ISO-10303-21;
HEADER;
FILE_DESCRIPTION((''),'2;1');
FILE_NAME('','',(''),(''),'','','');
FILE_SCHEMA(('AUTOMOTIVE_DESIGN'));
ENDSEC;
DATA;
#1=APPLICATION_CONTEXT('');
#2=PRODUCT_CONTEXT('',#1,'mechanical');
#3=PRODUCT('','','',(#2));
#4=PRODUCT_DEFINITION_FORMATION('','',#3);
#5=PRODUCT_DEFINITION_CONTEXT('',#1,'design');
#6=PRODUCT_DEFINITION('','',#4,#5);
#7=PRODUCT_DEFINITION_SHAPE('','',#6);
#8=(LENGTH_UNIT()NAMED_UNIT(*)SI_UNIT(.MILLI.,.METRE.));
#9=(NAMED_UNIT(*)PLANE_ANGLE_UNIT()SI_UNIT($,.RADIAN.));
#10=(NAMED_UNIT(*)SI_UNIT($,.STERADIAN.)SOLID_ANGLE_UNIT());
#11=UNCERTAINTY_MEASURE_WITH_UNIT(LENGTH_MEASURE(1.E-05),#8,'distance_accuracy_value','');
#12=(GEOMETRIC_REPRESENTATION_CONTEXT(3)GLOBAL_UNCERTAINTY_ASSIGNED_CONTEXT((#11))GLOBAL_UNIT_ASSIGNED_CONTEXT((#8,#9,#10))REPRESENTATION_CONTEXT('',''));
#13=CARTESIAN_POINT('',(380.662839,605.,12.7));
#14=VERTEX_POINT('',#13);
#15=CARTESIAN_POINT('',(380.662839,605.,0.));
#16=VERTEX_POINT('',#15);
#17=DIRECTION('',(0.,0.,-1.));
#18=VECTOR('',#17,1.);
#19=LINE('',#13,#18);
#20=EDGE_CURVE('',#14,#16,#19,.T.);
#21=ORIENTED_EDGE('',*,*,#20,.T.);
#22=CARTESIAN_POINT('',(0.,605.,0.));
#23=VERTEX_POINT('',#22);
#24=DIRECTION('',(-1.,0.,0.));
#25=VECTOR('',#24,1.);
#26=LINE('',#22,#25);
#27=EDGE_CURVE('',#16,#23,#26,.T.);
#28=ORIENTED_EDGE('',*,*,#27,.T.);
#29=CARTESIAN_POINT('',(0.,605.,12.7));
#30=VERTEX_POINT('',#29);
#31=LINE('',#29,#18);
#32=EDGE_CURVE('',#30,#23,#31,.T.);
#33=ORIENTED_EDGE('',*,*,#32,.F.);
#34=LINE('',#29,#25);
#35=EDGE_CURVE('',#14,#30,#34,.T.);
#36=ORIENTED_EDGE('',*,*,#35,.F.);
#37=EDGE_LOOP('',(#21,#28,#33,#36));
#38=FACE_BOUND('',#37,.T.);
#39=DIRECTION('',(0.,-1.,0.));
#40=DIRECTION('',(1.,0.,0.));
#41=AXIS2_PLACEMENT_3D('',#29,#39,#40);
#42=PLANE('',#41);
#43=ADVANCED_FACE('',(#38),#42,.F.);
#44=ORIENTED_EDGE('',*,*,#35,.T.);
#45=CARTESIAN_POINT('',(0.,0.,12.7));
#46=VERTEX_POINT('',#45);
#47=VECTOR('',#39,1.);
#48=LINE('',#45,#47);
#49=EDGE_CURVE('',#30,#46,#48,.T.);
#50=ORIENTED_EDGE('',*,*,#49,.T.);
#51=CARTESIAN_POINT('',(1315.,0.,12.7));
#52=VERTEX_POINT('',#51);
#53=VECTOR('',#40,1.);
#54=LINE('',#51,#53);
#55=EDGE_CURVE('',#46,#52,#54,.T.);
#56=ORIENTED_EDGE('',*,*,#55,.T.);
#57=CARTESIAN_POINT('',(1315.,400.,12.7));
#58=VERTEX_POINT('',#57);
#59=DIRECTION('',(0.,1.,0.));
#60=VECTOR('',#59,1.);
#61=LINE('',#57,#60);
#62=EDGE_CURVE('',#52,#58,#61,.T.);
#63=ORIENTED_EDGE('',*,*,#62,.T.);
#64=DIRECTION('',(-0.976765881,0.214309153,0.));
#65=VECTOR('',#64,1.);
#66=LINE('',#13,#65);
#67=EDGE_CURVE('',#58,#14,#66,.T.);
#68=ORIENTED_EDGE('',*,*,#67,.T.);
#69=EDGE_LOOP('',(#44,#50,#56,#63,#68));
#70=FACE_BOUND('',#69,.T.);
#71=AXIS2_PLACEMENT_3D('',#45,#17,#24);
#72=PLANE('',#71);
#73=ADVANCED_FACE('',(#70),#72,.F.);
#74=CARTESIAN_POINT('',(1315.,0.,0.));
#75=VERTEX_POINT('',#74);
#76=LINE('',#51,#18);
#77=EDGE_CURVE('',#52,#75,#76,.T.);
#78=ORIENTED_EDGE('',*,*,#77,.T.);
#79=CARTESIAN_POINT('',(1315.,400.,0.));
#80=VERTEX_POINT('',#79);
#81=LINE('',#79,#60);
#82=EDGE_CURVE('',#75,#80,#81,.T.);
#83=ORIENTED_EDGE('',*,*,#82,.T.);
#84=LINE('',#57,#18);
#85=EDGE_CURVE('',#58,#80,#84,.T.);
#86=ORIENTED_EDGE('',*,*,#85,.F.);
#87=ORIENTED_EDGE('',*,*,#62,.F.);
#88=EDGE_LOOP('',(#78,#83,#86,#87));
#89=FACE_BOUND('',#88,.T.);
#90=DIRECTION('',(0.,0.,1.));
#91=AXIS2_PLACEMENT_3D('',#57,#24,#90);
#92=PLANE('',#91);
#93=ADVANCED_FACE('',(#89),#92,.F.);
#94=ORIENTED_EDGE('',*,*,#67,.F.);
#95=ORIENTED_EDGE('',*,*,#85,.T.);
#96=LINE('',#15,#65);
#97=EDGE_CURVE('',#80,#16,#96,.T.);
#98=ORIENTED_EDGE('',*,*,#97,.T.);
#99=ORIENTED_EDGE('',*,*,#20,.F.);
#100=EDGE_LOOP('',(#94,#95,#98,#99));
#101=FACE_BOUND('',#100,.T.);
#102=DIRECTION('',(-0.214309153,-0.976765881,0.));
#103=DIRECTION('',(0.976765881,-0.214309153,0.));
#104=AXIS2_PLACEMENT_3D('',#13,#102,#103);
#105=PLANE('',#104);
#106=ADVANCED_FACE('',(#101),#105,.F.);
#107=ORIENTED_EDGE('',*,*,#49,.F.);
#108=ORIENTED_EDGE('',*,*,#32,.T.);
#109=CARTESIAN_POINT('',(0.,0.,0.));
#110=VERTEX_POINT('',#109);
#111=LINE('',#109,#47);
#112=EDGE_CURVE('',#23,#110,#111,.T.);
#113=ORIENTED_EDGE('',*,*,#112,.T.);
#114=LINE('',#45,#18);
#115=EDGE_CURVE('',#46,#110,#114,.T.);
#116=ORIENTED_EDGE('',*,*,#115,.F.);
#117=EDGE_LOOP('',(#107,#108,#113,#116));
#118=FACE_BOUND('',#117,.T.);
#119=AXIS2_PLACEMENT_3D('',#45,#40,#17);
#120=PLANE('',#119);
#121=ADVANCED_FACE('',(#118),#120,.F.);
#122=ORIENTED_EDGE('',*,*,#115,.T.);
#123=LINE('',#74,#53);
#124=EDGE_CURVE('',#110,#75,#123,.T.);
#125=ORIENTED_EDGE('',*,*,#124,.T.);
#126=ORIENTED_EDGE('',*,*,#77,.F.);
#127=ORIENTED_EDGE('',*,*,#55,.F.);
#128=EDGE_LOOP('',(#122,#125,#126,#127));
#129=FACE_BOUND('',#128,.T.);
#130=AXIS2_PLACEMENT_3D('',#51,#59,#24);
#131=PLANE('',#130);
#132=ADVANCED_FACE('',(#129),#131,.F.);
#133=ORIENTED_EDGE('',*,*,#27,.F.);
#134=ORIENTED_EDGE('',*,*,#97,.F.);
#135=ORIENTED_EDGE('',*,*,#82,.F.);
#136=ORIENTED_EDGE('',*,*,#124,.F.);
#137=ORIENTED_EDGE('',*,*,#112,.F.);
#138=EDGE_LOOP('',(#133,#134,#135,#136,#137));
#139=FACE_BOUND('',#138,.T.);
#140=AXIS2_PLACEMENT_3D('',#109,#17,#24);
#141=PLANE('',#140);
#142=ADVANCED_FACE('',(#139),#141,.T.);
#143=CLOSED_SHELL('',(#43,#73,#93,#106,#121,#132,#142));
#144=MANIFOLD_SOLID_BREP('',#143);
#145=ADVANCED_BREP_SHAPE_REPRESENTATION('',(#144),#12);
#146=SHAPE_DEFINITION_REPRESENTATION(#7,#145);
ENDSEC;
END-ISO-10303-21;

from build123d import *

# Parameters (mm, degrees)
BOSS_EXTRUDE1_DEPTH = 12.7


with BuildPart() as part:
    # Sketch1 → Boss-Extrude1 (new body)
    with BuildSketch(Plane.XY):
        Polygon((0, 0), (0, 605), (380.662838908, 605), (1315, 400), (1315, 0), align=None)
    extrude(amount=BOSS_EXTRUDE1_DEPTH)


solid = part.part
